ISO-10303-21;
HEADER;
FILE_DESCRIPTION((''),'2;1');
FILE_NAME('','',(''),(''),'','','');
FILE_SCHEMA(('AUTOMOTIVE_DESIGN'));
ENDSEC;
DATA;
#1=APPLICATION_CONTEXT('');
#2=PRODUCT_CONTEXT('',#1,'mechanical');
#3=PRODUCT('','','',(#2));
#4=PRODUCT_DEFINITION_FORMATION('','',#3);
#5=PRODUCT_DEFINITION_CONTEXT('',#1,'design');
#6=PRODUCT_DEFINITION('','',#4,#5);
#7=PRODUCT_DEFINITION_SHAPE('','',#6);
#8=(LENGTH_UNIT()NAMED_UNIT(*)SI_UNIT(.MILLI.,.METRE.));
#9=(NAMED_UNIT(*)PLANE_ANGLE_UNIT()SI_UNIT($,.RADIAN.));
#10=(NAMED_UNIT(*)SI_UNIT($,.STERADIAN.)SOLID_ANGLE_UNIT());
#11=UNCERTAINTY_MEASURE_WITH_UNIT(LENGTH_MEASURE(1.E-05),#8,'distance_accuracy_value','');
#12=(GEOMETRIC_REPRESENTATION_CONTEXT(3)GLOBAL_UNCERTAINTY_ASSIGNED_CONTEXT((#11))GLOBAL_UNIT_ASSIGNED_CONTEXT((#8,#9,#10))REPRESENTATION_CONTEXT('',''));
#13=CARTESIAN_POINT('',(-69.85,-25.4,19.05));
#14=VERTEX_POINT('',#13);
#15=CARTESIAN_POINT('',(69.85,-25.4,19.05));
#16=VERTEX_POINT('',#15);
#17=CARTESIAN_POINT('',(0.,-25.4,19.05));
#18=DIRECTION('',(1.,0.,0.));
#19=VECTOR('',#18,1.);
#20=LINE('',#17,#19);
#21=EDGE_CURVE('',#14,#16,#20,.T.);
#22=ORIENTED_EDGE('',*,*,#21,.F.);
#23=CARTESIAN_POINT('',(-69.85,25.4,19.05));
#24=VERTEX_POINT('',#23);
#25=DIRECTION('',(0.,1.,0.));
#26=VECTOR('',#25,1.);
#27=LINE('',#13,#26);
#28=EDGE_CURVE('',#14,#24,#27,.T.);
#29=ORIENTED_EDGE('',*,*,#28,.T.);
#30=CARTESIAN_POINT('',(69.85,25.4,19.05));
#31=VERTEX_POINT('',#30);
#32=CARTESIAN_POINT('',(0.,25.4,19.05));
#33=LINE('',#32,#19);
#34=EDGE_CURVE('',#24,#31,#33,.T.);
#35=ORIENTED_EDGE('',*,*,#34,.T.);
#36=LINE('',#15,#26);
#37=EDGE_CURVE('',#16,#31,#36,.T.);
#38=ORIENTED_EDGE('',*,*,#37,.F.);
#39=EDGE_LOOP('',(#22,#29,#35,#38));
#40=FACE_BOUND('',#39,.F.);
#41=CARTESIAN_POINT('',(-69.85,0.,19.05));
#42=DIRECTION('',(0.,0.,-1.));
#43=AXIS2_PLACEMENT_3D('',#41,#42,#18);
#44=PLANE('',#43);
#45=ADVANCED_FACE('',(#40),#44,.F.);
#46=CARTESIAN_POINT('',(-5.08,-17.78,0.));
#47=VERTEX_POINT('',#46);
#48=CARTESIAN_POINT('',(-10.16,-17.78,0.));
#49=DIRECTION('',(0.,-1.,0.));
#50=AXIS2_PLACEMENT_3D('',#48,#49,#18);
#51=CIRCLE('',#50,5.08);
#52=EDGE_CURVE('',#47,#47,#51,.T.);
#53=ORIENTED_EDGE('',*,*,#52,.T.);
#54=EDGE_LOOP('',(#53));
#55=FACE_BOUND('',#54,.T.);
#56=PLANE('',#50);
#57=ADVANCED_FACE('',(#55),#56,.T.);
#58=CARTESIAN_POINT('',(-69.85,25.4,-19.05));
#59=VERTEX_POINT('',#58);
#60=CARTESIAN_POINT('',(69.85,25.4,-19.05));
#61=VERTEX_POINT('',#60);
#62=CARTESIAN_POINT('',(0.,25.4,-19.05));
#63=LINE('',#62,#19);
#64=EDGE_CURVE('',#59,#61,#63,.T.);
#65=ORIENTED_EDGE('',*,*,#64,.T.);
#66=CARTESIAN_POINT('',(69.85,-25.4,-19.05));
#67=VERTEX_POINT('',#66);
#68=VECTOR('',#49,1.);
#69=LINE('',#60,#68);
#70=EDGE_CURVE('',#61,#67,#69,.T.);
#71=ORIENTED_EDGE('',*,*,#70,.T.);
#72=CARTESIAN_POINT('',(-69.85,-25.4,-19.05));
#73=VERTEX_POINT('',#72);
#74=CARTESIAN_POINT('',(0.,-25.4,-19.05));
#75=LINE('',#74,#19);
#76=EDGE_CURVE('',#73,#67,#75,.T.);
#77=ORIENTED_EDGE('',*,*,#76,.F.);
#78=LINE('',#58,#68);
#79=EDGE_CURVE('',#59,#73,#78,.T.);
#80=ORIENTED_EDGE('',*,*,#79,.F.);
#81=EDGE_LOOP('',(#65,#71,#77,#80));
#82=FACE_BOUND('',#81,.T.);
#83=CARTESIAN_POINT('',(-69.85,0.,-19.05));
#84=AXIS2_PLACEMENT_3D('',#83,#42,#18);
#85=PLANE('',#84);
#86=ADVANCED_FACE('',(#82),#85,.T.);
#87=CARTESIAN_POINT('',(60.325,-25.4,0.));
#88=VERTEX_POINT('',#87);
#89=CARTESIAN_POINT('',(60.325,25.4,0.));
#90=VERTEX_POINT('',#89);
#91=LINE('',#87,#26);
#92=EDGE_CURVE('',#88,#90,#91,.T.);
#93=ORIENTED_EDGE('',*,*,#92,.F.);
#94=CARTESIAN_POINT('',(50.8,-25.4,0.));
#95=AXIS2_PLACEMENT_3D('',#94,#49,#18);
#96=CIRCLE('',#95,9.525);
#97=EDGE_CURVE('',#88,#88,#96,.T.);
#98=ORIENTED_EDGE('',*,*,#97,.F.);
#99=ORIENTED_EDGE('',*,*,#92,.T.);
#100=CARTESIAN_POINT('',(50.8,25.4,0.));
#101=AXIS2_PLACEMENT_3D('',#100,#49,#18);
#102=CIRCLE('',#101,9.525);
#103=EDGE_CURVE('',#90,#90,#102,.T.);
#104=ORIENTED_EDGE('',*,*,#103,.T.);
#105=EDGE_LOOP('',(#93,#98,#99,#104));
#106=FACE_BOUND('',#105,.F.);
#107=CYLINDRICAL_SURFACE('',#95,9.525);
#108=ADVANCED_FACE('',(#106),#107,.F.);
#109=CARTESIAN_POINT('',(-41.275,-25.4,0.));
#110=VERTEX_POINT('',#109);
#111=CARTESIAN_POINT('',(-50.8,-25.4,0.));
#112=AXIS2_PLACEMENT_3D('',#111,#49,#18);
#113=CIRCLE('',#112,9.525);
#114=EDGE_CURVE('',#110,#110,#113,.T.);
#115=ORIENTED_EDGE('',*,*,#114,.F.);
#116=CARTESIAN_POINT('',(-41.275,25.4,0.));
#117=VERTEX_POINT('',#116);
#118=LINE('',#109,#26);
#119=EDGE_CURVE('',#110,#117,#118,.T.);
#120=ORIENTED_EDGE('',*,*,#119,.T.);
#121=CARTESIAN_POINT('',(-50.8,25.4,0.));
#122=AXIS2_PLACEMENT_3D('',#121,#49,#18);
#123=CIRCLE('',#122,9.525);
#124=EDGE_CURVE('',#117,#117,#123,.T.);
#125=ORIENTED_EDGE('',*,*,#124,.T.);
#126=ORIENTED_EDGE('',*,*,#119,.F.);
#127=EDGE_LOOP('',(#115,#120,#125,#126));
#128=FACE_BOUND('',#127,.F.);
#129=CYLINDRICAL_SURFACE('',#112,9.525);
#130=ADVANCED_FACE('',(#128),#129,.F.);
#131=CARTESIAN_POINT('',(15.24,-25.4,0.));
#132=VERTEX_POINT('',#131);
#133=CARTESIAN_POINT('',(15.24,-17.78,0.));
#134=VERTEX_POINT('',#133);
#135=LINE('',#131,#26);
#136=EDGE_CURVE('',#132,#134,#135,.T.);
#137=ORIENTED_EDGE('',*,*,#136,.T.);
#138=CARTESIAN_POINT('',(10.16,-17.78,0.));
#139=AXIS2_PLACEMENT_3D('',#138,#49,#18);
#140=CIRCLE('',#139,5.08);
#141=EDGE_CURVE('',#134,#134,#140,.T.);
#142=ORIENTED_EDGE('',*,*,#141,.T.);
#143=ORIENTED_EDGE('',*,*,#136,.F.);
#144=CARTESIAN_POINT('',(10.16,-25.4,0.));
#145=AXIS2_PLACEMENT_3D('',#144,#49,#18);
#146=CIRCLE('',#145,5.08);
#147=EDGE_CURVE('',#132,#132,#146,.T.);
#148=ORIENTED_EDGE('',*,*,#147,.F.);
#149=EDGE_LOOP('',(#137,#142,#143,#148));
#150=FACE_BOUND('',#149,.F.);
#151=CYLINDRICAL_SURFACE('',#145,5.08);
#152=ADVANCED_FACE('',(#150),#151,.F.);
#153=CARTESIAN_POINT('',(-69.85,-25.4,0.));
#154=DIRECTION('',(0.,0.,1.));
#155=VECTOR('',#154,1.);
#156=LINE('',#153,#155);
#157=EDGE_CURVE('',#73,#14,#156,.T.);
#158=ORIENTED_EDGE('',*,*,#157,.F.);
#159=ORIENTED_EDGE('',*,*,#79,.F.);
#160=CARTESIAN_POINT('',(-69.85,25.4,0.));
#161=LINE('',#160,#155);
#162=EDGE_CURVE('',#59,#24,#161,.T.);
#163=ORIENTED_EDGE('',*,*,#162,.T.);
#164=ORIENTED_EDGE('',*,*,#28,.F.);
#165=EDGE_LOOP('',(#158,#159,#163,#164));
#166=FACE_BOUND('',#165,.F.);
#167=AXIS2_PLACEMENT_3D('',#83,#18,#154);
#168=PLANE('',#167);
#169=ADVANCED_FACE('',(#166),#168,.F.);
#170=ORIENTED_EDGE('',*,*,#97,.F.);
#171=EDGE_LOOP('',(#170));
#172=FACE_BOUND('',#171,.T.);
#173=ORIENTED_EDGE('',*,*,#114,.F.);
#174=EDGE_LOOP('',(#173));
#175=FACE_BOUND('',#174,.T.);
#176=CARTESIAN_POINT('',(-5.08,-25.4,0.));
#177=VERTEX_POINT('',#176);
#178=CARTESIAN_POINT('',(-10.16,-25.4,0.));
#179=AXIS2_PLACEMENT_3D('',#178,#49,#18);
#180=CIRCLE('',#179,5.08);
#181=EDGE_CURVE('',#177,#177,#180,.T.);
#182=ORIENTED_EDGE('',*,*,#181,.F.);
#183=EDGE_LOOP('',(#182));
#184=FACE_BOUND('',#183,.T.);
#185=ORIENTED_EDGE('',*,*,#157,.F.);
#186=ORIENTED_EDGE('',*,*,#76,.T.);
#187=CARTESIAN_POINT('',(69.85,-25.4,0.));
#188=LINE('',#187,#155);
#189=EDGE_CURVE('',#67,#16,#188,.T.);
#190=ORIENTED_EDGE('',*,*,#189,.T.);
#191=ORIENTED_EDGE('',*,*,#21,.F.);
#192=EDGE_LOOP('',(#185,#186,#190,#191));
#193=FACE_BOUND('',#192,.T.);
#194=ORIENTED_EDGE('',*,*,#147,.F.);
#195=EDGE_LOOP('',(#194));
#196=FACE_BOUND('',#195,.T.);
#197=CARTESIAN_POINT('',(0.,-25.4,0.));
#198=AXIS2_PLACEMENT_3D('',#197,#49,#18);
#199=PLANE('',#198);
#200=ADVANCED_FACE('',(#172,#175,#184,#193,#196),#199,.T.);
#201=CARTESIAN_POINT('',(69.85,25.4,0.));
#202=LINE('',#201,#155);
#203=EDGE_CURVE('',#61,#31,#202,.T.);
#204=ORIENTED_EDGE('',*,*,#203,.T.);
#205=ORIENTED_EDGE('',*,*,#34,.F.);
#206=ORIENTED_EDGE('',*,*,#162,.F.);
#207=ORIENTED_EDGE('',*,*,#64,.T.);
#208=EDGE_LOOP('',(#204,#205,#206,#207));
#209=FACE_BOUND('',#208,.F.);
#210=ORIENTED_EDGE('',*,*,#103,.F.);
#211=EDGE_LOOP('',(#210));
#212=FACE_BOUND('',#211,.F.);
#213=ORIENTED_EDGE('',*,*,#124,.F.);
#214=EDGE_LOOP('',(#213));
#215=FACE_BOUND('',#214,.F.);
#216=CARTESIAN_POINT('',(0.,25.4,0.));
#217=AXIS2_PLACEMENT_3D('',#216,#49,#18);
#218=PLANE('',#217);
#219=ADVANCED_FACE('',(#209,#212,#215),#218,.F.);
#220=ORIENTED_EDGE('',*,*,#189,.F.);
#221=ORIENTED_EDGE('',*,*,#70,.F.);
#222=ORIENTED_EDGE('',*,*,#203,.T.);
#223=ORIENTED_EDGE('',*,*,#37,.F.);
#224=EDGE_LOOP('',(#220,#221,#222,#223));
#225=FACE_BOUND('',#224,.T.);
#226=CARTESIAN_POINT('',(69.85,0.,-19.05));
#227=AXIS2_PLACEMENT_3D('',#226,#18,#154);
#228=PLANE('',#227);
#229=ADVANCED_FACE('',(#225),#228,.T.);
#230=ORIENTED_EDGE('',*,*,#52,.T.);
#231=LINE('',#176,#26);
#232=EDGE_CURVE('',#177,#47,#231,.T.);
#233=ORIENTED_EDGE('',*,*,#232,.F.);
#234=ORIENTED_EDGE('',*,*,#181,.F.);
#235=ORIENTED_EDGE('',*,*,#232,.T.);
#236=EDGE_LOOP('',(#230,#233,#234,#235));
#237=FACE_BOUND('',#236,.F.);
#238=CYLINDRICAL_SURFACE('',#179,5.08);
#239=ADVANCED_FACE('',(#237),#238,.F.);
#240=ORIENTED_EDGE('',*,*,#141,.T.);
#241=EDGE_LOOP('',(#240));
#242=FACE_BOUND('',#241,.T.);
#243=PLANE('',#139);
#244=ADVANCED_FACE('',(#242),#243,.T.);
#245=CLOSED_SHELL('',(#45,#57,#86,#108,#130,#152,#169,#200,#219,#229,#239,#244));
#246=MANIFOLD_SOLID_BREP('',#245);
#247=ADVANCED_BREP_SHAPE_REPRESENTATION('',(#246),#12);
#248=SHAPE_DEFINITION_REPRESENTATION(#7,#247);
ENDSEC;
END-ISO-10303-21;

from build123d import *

# Parameters (mm, degrees)
F0_W     = 139.7
F0_H     = 38.1
F1_DEPTH = 25.4
F2_R     = 9.525
F3_DEPTH = 50.801
F4_R     = 5.08
F5_DEPTH = 7.62


with BuildPart() as f1:
    # F0 (on Front) → F1 (new body, symmetric)
    with BuildSketch(Plane.XZ):
        Rectangle(F0_W, F0_H)
    extrude(amount=F1_DEPTH, both=True)

    # F2 (on face) → F3 (cut, through all)
    with BuildSketch(Plane.XZ.offset(25.4)):
        with Locations((-50.8, 0)):
            Circle(F2_R)
        with Locations((50.8, 0)):
            Circle(F2_R)
    extrude(amount=-F3_DEPTH, mode=Mode.SUBTRACT)

    # F4 (on face) → F5 (cut)
    with BuildSketch(Plane.XZ.offset(25.4)):
        with Locations((-10.16, 0)):
            Circle(F4_R)
        with Locations((10.16, 0)):
            Circle(F4_R)
    extrude(amount=-F5_DEPTH, mode=Mode.SUBTRACT)


solid = f1.part
